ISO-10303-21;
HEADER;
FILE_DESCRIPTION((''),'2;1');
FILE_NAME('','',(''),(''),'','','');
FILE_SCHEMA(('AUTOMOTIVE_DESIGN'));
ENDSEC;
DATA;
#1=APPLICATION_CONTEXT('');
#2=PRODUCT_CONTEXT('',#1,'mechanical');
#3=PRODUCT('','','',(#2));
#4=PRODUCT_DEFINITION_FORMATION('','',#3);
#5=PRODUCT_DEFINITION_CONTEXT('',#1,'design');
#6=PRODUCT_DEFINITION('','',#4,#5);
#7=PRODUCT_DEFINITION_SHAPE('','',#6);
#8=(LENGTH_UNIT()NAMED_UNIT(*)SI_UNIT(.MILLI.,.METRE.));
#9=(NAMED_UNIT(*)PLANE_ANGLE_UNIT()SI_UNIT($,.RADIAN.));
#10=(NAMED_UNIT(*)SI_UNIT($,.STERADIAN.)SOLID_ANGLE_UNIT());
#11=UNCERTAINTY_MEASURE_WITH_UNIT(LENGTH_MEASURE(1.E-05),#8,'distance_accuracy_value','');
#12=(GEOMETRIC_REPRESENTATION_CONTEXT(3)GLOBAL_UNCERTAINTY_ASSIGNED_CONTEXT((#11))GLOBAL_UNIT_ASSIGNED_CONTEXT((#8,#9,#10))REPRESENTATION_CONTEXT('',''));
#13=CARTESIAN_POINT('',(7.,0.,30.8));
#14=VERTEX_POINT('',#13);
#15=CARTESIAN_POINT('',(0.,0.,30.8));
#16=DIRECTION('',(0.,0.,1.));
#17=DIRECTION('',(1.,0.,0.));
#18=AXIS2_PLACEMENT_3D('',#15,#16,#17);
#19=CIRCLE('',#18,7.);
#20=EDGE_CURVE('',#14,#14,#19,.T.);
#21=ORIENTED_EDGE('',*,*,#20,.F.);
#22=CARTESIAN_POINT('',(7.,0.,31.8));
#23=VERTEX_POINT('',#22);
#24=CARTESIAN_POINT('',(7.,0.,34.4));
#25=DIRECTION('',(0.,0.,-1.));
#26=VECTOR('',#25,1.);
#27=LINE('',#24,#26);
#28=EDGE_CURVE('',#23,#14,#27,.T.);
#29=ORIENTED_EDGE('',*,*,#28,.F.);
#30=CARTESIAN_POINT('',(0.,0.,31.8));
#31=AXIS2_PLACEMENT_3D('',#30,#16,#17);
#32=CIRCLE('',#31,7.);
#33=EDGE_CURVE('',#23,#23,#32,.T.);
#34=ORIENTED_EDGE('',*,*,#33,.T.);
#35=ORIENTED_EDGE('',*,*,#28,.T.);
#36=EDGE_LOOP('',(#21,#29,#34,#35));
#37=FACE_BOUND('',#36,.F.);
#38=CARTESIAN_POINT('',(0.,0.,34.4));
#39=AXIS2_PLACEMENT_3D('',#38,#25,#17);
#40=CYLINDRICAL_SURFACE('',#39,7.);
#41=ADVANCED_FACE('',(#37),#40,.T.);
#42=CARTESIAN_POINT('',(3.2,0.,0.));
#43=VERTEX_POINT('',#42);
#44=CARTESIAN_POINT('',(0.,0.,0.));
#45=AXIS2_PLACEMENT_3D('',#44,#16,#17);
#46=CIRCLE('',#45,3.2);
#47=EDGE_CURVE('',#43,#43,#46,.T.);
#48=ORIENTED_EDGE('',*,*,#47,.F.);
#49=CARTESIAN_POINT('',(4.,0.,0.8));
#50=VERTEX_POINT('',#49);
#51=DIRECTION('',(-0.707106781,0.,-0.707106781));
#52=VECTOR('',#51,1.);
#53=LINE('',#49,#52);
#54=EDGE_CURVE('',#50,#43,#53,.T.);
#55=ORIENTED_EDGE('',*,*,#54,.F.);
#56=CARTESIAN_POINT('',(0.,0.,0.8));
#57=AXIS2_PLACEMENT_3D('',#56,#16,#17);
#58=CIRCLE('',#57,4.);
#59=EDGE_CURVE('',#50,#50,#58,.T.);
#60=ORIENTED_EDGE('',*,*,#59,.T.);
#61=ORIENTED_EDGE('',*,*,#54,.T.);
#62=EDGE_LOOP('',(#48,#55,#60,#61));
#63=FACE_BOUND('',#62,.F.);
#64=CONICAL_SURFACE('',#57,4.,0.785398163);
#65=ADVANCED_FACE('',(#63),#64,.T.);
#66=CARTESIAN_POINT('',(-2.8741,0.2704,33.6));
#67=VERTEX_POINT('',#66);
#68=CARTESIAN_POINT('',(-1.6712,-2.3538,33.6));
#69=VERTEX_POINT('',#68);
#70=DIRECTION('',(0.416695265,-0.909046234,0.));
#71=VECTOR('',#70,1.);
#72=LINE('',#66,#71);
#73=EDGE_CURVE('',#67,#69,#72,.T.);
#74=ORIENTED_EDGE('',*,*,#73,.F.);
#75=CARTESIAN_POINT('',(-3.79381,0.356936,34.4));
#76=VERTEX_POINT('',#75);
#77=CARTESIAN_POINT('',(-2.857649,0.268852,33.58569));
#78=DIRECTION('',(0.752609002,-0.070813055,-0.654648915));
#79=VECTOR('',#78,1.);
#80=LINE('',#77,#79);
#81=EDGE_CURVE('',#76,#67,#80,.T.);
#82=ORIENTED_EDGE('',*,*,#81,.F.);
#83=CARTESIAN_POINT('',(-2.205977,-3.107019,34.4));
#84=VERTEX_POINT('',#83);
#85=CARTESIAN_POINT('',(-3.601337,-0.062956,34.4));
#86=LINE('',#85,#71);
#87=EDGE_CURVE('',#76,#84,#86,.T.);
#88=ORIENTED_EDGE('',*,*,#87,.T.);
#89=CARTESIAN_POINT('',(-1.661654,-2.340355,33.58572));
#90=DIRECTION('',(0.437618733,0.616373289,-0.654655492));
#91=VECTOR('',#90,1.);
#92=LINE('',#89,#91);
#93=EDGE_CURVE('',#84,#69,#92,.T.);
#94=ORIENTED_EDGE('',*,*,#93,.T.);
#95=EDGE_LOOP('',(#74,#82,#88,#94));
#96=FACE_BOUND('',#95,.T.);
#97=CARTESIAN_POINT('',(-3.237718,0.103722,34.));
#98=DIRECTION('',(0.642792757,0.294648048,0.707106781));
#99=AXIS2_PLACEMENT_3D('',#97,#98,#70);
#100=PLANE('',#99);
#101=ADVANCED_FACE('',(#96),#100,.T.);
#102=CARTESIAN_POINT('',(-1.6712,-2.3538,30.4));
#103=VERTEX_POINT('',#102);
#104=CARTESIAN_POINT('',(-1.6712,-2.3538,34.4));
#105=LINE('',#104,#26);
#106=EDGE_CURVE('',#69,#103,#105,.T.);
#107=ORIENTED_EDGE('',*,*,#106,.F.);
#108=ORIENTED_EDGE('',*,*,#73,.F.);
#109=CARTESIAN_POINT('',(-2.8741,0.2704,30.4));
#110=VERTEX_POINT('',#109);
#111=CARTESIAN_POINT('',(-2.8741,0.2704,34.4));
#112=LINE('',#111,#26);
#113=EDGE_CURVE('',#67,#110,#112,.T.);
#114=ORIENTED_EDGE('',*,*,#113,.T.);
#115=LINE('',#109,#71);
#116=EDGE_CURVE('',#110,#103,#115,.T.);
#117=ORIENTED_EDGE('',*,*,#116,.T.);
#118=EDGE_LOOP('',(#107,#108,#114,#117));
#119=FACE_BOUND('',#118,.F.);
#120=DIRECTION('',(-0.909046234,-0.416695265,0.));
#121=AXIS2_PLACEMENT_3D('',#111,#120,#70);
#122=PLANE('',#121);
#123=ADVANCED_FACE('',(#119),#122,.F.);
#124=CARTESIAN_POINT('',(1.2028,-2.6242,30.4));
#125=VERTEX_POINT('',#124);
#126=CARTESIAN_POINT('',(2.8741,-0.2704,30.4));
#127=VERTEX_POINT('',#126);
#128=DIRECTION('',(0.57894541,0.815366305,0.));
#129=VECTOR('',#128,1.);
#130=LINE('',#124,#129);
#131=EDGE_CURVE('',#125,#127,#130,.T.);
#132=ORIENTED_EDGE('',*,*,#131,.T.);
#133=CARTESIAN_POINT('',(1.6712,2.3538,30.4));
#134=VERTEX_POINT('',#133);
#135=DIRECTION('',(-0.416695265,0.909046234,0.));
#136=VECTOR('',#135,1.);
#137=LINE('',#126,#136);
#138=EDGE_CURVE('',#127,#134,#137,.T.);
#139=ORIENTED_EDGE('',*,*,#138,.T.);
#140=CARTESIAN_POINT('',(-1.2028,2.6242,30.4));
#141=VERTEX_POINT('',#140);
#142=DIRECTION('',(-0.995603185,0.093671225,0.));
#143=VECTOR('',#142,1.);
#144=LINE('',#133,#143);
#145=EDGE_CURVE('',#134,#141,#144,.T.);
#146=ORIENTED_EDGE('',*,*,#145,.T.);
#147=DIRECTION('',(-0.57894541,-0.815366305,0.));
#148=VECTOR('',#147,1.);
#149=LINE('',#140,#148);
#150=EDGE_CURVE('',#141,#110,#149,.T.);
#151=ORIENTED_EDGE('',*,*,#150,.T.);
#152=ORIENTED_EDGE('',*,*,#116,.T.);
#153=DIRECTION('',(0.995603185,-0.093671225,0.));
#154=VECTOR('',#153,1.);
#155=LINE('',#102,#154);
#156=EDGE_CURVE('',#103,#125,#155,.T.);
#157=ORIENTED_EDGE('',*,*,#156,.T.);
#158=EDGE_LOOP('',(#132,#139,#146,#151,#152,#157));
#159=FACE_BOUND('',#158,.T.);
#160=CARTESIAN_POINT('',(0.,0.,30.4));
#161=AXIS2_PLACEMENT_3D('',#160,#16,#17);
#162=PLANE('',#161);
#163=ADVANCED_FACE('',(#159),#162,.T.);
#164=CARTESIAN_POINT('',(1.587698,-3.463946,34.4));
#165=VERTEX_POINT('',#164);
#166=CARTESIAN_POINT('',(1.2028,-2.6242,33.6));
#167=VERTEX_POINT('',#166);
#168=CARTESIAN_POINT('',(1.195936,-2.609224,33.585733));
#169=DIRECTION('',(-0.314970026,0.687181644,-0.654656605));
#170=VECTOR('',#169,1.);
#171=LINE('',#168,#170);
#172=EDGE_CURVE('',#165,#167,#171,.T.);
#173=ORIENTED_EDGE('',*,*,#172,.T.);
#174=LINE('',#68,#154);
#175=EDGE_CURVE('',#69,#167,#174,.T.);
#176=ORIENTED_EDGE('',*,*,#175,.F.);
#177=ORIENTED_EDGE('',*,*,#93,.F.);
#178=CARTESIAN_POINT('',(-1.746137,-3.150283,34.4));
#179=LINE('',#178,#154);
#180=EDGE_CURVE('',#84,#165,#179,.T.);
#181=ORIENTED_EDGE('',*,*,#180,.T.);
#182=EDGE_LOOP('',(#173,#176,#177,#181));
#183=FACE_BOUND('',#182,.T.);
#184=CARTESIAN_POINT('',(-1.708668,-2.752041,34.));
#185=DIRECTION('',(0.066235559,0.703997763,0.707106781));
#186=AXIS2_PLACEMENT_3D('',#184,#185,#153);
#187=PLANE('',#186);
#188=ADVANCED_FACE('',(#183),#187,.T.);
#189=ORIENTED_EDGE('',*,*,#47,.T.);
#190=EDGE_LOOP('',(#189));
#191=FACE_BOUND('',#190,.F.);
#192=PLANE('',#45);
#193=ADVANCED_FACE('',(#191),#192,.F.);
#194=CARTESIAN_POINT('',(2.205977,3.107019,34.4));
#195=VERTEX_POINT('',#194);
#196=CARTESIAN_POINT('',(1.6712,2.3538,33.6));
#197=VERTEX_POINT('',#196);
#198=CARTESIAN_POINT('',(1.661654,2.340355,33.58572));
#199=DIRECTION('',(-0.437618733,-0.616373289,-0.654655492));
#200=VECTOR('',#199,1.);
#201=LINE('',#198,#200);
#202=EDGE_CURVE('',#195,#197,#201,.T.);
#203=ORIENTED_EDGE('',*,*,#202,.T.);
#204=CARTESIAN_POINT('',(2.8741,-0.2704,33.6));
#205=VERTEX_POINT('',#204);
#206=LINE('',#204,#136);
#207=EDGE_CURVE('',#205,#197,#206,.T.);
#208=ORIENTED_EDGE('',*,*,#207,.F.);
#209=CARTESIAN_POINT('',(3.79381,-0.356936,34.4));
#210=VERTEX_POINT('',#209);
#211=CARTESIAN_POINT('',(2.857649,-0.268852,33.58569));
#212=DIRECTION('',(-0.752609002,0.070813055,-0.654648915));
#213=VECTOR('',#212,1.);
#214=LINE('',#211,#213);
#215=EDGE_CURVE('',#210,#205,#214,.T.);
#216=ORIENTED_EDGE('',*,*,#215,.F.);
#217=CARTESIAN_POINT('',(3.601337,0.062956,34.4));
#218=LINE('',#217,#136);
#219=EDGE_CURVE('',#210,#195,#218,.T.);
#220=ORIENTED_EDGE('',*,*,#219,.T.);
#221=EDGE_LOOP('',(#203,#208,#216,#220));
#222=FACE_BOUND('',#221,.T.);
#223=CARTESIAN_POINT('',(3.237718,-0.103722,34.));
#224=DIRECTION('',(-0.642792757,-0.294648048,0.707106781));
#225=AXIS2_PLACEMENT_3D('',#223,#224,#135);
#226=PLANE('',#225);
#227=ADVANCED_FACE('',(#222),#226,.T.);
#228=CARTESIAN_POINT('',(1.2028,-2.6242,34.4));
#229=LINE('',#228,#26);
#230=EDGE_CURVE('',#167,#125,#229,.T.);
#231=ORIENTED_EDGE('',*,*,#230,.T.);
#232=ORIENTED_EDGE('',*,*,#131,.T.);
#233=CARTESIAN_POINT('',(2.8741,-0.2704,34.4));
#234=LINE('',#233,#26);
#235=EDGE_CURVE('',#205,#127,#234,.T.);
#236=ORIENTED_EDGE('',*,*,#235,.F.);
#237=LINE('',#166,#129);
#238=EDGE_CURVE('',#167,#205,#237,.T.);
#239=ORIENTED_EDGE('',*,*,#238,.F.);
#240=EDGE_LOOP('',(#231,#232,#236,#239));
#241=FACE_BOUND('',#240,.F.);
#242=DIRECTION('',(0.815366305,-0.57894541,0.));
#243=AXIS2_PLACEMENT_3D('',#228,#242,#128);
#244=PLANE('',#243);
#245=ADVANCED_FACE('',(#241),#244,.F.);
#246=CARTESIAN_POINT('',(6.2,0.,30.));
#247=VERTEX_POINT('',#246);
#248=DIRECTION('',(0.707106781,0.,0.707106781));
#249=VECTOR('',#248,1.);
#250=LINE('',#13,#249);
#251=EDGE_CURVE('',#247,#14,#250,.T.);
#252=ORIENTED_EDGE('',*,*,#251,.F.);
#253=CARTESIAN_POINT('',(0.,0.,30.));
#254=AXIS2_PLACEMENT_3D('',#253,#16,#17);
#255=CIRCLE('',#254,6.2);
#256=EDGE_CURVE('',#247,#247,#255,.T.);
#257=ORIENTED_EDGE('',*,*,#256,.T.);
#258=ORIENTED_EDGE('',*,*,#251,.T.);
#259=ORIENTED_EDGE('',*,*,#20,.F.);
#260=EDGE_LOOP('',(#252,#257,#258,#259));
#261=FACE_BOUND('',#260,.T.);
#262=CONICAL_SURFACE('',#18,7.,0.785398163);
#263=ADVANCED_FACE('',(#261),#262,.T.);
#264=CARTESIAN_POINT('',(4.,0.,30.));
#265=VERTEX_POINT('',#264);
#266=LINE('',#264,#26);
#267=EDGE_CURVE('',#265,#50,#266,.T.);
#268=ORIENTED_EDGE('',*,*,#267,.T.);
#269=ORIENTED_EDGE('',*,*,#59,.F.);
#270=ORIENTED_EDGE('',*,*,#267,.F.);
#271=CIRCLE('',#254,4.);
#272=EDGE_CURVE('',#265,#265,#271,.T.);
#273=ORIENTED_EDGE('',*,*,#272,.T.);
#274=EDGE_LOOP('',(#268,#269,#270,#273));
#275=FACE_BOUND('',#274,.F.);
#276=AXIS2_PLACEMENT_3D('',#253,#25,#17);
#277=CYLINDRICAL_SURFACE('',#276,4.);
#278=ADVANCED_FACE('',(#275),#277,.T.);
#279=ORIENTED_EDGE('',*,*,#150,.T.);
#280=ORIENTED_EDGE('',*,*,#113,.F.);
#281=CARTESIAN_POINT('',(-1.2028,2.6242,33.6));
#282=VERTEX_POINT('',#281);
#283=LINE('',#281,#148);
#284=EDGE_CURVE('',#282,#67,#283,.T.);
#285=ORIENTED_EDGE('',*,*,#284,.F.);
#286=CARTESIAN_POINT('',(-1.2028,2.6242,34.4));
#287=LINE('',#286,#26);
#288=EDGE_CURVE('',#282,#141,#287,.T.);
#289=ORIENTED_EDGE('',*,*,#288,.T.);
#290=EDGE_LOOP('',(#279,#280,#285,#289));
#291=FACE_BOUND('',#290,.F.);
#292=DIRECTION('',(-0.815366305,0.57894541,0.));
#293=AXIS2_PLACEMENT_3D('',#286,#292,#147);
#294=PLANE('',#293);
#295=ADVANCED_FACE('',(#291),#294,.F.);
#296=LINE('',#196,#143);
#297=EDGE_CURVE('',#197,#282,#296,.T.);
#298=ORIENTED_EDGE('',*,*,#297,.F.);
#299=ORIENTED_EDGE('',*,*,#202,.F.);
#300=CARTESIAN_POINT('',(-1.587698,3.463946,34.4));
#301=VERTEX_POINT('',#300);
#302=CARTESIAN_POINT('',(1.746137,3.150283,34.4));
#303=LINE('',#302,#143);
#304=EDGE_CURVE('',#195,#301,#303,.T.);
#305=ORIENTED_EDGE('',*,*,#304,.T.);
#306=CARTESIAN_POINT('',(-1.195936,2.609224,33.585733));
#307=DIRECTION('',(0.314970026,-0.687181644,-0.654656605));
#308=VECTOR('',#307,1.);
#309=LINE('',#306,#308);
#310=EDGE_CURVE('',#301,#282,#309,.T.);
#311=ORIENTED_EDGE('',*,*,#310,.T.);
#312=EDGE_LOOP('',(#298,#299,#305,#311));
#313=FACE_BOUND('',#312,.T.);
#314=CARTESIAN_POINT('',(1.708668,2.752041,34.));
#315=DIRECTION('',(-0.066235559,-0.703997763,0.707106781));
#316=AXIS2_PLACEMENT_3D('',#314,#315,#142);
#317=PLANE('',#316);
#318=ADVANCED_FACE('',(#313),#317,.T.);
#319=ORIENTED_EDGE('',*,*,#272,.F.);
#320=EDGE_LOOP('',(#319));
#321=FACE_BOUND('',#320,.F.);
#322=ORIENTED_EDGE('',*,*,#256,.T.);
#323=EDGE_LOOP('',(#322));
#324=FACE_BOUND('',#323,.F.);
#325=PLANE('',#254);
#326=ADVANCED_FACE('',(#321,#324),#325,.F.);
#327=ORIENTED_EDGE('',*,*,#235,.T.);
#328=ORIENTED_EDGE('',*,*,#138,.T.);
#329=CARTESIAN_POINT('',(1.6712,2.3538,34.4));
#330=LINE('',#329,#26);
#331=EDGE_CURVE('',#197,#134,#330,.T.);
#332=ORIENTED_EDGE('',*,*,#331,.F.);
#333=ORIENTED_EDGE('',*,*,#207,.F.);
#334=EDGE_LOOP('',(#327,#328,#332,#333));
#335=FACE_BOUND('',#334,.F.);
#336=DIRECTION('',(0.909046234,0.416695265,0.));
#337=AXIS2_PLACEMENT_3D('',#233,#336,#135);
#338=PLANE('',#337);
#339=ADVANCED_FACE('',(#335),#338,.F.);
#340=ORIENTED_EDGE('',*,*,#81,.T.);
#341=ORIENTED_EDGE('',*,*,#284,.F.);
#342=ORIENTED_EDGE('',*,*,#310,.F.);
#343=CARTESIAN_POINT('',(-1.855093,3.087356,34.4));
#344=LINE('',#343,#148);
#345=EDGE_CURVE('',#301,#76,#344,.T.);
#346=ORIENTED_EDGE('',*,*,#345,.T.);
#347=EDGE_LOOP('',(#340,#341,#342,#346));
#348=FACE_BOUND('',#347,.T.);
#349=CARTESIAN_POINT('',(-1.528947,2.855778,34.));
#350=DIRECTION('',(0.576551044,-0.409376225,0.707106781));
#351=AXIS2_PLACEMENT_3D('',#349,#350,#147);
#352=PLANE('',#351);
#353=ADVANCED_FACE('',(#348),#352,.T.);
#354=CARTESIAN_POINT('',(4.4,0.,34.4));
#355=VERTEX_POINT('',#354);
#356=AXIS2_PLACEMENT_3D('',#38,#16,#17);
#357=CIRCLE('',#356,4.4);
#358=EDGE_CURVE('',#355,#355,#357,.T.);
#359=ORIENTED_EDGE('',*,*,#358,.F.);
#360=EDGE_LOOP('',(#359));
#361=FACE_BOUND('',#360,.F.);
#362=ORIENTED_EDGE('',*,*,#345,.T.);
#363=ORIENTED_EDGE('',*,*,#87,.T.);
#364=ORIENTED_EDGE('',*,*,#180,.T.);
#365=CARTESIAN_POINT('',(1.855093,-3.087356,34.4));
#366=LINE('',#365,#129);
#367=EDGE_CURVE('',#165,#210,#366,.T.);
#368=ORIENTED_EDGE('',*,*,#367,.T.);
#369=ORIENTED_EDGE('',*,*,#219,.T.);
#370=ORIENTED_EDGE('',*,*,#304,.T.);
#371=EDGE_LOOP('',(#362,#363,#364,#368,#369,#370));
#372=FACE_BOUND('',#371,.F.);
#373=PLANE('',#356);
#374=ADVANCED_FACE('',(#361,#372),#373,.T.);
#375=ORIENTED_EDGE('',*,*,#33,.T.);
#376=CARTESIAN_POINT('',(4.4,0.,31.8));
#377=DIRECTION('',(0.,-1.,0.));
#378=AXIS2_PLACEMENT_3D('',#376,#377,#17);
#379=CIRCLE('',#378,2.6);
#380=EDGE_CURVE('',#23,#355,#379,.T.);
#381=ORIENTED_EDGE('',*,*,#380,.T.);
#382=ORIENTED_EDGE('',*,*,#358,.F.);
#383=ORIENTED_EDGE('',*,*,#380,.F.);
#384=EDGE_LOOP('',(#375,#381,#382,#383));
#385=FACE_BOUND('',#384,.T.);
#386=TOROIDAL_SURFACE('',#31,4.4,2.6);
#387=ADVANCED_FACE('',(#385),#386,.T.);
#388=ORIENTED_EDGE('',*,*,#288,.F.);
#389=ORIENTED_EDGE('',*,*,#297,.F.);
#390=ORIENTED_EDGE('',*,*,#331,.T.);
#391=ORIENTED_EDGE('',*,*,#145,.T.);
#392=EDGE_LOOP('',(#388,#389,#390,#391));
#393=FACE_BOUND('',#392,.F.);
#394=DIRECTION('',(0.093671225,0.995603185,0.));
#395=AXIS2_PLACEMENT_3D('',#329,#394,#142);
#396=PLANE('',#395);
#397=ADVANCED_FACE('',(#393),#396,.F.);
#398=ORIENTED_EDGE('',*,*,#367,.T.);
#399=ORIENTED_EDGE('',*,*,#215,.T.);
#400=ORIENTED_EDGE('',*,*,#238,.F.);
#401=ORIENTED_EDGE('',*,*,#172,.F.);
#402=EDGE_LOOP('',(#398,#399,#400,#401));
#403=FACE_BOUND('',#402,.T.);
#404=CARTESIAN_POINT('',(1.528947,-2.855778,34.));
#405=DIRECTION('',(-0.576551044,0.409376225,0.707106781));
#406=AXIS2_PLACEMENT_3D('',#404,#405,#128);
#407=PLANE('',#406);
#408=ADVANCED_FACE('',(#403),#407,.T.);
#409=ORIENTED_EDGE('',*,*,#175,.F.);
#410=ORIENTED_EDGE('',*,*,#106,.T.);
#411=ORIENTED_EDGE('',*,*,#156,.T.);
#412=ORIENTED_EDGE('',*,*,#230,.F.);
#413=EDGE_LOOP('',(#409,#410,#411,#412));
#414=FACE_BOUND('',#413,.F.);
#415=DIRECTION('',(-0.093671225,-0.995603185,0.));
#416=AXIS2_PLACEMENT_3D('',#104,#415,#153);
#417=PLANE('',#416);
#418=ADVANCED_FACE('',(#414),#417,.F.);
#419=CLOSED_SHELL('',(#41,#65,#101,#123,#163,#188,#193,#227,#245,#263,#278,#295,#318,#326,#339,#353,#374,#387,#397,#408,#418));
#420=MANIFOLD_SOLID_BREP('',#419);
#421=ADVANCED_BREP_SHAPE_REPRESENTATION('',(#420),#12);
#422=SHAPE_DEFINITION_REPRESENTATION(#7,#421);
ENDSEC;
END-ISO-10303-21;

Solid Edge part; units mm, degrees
sketch "Sketch1" plane through (0, 0, 0) normal (0, -1, 0) x (1, 0, 0)
  line L0 (4, 30) -> (4, 0)
  line L1 (4, 0) -> (0, 0)
  line L2 (0, 0) -> (0, 34.4)
  line L3 (0, 34.4) -> (7, 34.4)
  line L4 (7, 34.4) -> (7, 30)
  line L5 (7, 30) -> (4, 30)
revolve "RevolvedProtrusion1" add sketch "Sketch1" angle 360 about axis through (0, 0, 0) along (0, 0, 1)
sketch "Sketch2" plane through (0, 0, 34.4) normal (0, 0, 1) x (1, 0, 0)
  line L0 (1.2028, -2.6242) -> (2.8741, -0.2704)
  line L1 (2.8741, -0.2704) -> (1.6712, 2.3538)
  line L2 (1.6712, 2.3538) -> (-1.2028, 2.6242)
  line L3 (-1.2028, 2.6242) -> (-2.8741, 0.2704)
  line L4 (-2.8741, 0.2704) -> (-1.6712, -2.3538)
  line L5 (-1.6712, -2.3538) -> (1.2028, -2.6242)
extrude "Cutout1" cut sketch "Sketch2" against normal blind 4
cosmetic_thread "Thread1" size "M8"
chamfer "Chamfer1" distance 0.8 angle 45 8 edges at (0.2342, 2.489, 34.4) (2.0384, -1.4473, 34.4) (-2.2726, -1.0417, 34.4) (-0.2342, -2.489, 34.4) (-2.0384, 1.4473, 34.4) (-4, 0, 0) (2.2726, 1.0417, 34.4) (-7, 0, 30)
fillet "Round1" radius 2.6 1 edges at (-7, 0, 34.4)
properties material "Stainless steel"
